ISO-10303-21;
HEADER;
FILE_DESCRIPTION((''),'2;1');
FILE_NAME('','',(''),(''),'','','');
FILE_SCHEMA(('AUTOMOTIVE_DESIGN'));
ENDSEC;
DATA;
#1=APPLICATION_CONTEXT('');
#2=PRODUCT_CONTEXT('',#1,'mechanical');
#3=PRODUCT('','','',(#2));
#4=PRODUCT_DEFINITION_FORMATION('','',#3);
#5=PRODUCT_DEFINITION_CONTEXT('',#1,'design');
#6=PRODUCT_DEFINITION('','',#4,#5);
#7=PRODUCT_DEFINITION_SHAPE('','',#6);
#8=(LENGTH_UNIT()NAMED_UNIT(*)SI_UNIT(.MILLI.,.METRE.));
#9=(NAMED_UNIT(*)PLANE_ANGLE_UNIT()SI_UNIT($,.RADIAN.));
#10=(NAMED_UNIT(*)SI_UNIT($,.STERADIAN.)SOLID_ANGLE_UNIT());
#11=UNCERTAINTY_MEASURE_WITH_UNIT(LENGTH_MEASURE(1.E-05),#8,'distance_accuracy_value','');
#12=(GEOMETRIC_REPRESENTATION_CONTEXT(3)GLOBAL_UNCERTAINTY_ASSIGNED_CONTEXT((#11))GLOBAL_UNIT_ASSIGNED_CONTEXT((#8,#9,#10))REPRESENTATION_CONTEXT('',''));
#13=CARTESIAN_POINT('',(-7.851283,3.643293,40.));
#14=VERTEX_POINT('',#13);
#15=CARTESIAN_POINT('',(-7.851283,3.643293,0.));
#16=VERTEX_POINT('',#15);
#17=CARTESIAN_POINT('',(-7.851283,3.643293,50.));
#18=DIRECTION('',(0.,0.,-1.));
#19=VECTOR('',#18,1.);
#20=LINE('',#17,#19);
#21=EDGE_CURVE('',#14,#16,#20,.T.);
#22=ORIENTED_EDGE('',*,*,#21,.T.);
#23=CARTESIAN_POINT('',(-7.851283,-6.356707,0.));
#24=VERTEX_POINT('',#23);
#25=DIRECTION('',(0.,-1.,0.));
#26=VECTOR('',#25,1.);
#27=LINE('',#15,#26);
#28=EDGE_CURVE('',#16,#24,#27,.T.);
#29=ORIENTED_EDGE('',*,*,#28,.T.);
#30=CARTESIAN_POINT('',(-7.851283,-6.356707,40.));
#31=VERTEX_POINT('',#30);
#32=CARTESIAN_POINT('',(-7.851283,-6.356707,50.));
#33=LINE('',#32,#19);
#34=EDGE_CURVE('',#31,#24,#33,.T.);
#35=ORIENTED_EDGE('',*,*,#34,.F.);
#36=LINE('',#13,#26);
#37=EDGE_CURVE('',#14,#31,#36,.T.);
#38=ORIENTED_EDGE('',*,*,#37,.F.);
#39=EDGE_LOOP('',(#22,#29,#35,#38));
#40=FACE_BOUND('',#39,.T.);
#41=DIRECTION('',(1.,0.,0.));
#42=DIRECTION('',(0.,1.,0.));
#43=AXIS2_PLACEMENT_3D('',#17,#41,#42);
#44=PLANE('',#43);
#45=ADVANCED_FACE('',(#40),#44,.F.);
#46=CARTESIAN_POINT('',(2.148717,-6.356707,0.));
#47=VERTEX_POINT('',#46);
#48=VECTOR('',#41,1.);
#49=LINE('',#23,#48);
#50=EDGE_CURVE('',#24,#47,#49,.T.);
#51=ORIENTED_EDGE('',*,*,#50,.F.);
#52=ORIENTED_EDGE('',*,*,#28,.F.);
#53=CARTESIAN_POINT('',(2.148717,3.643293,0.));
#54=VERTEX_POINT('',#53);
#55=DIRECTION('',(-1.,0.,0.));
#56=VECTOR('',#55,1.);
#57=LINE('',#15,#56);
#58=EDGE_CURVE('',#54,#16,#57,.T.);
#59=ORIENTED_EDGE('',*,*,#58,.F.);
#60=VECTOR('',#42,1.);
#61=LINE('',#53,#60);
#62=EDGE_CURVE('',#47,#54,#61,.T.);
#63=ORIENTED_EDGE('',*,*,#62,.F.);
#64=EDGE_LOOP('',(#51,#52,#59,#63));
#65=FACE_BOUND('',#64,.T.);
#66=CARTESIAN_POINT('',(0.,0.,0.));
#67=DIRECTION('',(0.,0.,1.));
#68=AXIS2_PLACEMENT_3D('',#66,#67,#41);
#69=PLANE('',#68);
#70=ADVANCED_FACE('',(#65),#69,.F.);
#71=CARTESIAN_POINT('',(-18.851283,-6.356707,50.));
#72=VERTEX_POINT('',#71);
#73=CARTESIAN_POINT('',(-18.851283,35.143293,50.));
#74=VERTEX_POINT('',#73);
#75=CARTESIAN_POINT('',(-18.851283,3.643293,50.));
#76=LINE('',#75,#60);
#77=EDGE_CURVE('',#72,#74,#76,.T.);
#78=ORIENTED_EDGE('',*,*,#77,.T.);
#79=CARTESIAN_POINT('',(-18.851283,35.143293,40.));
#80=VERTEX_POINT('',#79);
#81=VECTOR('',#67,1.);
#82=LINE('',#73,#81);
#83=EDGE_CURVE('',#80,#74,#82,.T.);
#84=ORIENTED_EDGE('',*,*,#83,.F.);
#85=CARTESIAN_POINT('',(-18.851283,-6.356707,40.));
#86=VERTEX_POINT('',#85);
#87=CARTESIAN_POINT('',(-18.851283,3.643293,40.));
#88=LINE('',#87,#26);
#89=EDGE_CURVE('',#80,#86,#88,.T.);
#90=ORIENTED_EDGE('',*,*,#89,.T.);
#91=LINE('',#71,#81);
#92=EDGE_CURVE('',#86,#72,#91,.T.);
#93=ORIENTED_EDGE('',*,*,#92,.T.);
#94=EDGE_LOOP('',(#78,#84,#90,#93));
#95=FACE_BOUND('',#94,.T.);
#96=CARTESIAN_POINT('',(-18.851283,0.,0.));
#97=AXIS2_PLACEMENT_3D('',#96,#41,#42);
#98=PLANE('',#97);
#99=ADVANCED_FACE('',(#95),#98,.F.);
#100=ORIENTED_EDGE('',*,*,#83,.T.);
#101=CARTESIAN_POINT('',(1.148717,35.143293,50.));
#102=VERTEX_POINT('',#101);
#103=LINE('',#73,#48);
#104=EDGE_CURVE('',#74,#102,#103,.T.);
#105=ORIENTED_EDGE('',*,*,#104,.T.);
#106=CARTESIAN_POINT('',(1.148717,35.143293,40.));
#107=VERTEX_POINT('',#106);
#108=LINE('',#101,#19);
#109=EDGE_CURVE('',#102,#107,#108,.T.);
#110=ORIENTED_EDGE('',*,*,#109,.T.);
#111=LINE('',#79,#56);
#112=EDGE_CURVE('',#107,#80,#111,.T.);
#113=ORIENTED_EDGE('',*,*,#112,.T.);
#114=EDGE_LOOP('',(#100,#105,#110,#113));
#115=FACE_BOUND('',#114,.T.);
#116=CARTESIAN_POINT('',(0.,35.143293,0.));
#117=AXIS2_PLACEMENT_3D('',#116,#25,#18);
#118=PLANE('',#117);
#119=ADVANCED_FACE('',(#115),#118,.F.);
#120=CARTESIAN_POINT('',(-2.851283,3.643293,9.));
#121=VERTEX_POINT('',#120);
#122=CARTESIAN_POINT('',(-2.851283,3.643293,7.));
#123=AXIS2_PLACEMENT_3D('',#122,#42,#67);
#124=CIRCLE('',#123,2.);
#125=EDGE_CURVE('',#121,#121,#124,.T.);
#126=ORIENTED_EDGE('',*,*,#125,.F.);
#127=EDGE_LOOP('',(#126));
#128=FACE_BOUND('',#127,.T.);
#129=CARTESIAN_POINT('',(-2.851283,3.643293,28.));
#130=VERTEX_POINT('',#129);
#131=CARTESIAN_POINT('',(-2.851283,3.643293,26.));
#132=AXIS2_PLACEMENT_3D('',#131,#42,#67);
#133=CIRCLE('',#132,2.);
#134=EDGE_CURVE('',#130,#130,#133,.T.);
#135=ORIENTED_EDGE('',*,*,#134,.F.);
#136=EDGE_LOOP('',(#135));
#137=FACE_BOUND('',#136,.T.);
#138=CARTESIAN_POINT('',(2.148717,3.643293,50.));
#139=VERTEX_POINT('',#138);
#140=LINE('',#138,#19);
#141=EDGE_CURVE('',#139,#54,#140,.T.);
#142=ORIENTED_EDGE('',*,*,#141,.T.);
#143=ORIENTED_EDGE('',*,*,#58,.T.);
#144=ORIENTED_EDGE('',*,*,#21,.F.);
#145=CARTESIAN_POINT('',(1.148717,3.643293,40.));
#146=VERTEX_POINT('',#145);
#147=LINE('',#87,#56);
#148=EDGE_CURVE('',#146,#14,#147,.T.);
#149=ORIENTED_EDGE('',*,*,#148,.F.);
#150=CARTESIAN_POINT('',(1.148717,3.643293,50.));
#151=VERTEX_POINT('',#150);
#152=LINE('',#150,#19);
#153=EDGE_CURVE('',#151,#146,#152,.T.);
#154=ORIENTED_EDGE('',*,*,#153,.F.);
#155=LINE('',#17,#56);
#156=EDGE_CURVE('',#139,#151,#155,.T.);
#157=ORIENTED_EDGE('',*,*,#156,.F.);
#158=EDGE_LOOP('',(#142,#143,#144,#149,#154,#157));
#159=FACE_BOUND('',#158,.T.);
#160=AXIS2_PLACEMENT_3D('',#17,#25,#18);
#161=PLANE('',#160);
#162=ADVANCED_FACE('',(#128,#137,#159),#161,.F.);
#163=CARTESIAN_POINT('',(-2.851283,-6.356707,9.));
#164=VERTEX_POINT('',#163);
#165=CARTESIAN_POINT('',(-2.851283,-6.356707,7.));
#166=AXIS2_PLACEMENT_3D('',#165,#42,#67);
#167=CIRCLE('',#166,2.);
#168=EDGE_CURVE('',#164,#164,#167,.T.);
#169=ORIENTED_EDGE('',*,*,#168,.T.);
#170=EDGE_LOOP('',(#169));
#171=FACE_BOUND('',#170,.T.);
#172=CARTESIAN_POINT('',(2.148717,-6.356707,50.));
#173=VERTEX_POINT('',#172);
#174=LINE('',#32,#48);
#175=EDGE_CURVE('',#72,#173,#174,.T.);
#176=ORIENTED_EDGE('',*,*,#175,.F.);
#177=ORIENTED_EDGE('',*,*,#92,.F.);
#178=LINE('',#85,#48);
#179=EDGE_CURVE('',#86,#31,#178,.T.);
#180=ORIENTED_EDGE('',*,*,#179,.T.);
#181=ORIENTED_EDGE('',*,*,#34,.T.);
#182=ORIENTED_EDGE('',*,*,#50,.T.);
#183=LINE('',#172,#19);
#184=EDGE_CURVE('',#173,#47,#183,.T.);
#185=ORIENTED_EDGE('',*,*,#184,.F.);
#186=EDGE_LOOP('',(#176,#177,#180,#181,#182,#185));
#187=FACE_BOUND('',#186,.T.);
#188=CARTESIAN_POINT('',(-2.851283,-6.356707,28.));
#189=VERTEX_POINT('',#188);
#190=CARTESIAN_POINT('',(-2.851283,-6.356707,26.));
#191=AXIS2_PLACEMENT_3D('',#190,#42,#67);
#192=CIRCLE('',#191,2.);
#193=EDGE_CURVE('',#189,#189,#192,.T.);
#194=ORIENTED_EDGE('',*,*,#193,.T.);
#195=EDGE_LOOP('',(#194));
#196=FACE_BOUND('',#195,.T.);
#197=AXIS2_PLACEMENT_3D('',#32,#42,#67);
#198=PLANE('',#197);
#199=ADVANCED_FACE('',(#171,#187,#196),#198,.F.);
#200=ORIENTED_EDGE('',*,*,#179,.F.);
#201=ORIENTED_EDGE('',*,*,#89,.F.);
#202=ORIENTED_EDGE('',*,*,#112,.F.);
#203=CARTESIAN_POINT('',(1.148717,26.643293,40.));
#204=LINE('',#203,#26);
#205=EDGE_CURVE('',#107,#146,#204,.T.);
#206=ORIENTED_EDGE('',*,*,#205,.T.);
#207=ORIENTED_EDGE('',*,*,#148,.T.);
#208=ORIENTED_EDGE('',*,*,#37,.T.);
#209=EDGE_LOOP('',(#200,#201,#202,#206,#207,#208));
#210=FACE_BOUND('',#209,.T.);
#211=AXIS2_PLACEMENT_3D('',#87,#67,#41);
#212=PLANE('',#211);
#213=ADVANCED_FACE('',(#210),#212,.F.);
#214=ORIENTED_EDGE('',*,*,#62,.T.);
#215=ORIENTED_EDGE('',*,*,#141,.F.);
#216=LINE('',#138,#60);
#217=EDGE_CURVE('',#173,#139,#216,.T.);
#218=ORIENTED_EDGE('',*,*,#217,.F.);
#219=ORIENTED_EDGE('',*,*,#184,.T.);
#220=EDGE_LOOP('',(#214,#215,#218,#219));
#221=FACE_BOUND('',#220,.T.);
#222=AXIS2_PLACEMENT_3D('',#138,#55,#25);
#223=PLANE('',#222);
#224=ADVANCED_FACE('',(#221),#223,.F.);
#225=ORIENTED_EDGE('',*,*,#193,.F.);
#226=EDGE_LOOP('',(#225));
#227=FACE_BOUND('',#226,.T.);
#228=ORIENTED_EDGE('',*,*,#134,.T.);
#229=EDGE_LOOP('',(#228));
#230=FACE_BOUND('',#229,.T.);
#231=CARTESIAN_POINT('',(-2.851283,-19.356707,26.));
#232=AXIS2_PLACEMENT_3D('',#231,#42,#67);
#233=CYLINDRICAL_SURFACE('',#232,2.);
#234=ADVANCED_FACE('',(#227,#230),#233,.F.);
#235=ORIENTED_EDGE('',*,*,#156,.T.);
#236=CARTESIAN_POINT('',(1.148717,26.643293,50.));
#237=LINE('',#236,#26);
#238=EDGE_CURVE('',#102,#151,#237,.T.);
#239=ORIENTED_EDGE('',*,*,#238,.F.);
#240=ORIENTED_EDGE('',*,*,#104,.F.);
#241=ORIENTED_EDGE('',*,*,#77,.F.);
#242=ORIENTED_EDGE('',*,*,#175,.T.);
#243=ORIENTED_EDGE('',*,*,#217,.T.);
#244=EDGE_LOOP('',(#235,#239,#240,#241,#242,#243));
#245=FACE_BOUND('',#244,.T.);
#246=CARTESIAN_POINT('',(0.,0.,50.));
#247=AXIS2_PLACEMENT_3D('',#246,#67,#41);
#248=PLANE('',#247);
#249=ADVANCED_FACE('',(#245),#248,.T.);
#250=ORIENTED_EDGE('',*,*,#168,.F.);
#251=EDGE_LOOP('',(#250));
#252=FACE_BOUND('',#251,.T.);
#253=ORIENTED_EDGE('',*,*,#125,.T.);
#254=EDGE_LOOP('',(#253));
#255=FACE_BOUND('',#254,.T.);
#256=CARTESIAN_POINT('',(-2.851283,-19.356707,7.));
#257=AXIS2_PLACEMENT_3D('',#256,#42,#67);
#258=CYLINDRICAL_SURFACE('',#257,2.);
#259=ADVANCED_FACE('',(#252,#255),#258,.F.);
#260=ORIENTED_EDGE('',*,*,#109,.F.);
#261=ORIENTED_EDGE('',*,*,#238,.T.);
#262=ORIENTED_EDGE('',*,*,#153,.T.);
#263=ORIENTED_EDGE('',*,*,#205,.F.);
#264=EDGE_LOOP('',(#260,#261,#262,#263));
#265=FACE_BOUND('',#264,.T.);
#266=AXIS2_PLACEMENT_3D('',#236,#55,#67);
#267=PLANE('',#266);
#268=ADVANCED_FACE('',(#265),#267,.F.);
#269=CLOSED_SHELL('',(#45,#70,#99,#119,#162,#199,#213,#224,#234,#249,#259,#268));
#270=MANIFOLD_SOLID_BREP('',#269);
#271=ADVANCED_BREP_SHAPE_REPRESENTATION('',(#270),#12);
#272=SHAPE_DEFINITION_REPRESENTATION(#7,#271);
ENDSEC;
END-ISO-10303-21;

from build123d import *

# Parameters (mm, degrees)
SKETCH1_W           = 10
SKETCH1_H           = 10
BOSS_EXTRUDE1_DEPTH = 50
SKETCH3_W           = 10
SKETCH3_H           = 10
BOSS_EXTRUDE3_DEPTH = 11
SKETCH8_W           = 20
SKETCH8_H           = 10
BOSS_EXTRUDE4_DEPTH = 23
SKETCH9_R           = 2
CUT_EXTRUDE2_DEPTH  = 23
SKETCH9_4_R         = 2
CUT_EXTRUDE3_DEPTH  = 23
SKETCH8_4_W         = 20
SKETCH8_4_H         = 10
BOSS_EXTRUDE5_DEPTH = 31
SKETCH8_5_W         = 20
SKETCH8_5_H         = 10
BOSS_EXTRUDE6_DEPTH = 31.5


with BuildPart() as part:
    # Sketch1 → Boss-Extrude1 (new body)
    with BuildSketch(Plane.XY):
        with Locations((-2.851282988, -1.356707317)):
            Rectangle(SKETCH1_W, SKETCH1_H)
    extrude(amount=BOSS_EXTRUDE1_DEPTH)

    # Sketch3 → Boss-Extrude3 (add)
    with BuildSketch(Plane.ZY.offset(7.851282988)):
        with Locations((45, -1.356707317)):
            Rectangle(SKETCH3_W, SKETCH3_H)
    extrude(amount=BOSS_EXTRUDE3_DEPTH)

    # Sketch8 → Boss-Extrude4 (add)
    with BuildSketch(Plane(origin=(0, 3.643292683, 0), x_dir=(1, 0, 0), z_dir=(0, 1, 0))):
        with Locations((-8.851282988, -45)):
            Rectangle(SKETCH8_W, SKETCH8_H)
    extrude(amount=BOSS_EXTRUDE4_DEPTH)

    # Sketch9 → Cut-Extrude2 (cut)
    with BuildSketch(Plane(origin=(0, 3.643292683, 0), x_dir=(1, 0, 0), z_dir=(0, 1, 0))):
        with Locations(Location((-2.851282988, -7, 0), (0, 0, 270))):
            Circle(SKETCH9_R)
    extrude(amount=-CUT_EXTRUDE2_DEPTH, mode=Mode.SUBTRACT)

    # Sketch9<4> → Cut-Extrude3 (cut)
    with BuildSketch(Plane(origin=(0, 3.643292683, 0), x_dir=(1, 0, 0), z_dir=(0, 1, 0))):
        with Locations(Location((-2.851282988, -26, 0), (0, 0, 270))):
            Circle(SKETCH9_4_R)
    extrude(amount=-CUT_EXTRUDE3_DEPTH, mode=Mode.SUBTRACT)

    # Sketch8<4> → Boss-Extrude5 (add)
    with BuildSketch(Plane(origin=(0, 3.643292683, 0), x_dir=(1, 0, 0), z_dir=(0, 1, 0))):
        with Locations((-8.851282988, -45)):
            Rectangle(SKETCH8_4_W, SKETCH8_4_H)
    extrude(amount=BOSS_EXTRUDE5_DEPTH)

    # Sketch8<5> → Boss-Extrude6 (add)
    with BuildSketch(Plane(origin=(0, 3.643292683, 0), x_dir=(1, 0, 0), z_dir=(0, 1, 0))):
        with Locations((-8.851282988, -45)):
            Rectangle(SKETCH8_5_W, SKETCH8_5_H)
    extrude(amount=BOSS_EXTRUDE6_DEPTH)


solid = part.part
